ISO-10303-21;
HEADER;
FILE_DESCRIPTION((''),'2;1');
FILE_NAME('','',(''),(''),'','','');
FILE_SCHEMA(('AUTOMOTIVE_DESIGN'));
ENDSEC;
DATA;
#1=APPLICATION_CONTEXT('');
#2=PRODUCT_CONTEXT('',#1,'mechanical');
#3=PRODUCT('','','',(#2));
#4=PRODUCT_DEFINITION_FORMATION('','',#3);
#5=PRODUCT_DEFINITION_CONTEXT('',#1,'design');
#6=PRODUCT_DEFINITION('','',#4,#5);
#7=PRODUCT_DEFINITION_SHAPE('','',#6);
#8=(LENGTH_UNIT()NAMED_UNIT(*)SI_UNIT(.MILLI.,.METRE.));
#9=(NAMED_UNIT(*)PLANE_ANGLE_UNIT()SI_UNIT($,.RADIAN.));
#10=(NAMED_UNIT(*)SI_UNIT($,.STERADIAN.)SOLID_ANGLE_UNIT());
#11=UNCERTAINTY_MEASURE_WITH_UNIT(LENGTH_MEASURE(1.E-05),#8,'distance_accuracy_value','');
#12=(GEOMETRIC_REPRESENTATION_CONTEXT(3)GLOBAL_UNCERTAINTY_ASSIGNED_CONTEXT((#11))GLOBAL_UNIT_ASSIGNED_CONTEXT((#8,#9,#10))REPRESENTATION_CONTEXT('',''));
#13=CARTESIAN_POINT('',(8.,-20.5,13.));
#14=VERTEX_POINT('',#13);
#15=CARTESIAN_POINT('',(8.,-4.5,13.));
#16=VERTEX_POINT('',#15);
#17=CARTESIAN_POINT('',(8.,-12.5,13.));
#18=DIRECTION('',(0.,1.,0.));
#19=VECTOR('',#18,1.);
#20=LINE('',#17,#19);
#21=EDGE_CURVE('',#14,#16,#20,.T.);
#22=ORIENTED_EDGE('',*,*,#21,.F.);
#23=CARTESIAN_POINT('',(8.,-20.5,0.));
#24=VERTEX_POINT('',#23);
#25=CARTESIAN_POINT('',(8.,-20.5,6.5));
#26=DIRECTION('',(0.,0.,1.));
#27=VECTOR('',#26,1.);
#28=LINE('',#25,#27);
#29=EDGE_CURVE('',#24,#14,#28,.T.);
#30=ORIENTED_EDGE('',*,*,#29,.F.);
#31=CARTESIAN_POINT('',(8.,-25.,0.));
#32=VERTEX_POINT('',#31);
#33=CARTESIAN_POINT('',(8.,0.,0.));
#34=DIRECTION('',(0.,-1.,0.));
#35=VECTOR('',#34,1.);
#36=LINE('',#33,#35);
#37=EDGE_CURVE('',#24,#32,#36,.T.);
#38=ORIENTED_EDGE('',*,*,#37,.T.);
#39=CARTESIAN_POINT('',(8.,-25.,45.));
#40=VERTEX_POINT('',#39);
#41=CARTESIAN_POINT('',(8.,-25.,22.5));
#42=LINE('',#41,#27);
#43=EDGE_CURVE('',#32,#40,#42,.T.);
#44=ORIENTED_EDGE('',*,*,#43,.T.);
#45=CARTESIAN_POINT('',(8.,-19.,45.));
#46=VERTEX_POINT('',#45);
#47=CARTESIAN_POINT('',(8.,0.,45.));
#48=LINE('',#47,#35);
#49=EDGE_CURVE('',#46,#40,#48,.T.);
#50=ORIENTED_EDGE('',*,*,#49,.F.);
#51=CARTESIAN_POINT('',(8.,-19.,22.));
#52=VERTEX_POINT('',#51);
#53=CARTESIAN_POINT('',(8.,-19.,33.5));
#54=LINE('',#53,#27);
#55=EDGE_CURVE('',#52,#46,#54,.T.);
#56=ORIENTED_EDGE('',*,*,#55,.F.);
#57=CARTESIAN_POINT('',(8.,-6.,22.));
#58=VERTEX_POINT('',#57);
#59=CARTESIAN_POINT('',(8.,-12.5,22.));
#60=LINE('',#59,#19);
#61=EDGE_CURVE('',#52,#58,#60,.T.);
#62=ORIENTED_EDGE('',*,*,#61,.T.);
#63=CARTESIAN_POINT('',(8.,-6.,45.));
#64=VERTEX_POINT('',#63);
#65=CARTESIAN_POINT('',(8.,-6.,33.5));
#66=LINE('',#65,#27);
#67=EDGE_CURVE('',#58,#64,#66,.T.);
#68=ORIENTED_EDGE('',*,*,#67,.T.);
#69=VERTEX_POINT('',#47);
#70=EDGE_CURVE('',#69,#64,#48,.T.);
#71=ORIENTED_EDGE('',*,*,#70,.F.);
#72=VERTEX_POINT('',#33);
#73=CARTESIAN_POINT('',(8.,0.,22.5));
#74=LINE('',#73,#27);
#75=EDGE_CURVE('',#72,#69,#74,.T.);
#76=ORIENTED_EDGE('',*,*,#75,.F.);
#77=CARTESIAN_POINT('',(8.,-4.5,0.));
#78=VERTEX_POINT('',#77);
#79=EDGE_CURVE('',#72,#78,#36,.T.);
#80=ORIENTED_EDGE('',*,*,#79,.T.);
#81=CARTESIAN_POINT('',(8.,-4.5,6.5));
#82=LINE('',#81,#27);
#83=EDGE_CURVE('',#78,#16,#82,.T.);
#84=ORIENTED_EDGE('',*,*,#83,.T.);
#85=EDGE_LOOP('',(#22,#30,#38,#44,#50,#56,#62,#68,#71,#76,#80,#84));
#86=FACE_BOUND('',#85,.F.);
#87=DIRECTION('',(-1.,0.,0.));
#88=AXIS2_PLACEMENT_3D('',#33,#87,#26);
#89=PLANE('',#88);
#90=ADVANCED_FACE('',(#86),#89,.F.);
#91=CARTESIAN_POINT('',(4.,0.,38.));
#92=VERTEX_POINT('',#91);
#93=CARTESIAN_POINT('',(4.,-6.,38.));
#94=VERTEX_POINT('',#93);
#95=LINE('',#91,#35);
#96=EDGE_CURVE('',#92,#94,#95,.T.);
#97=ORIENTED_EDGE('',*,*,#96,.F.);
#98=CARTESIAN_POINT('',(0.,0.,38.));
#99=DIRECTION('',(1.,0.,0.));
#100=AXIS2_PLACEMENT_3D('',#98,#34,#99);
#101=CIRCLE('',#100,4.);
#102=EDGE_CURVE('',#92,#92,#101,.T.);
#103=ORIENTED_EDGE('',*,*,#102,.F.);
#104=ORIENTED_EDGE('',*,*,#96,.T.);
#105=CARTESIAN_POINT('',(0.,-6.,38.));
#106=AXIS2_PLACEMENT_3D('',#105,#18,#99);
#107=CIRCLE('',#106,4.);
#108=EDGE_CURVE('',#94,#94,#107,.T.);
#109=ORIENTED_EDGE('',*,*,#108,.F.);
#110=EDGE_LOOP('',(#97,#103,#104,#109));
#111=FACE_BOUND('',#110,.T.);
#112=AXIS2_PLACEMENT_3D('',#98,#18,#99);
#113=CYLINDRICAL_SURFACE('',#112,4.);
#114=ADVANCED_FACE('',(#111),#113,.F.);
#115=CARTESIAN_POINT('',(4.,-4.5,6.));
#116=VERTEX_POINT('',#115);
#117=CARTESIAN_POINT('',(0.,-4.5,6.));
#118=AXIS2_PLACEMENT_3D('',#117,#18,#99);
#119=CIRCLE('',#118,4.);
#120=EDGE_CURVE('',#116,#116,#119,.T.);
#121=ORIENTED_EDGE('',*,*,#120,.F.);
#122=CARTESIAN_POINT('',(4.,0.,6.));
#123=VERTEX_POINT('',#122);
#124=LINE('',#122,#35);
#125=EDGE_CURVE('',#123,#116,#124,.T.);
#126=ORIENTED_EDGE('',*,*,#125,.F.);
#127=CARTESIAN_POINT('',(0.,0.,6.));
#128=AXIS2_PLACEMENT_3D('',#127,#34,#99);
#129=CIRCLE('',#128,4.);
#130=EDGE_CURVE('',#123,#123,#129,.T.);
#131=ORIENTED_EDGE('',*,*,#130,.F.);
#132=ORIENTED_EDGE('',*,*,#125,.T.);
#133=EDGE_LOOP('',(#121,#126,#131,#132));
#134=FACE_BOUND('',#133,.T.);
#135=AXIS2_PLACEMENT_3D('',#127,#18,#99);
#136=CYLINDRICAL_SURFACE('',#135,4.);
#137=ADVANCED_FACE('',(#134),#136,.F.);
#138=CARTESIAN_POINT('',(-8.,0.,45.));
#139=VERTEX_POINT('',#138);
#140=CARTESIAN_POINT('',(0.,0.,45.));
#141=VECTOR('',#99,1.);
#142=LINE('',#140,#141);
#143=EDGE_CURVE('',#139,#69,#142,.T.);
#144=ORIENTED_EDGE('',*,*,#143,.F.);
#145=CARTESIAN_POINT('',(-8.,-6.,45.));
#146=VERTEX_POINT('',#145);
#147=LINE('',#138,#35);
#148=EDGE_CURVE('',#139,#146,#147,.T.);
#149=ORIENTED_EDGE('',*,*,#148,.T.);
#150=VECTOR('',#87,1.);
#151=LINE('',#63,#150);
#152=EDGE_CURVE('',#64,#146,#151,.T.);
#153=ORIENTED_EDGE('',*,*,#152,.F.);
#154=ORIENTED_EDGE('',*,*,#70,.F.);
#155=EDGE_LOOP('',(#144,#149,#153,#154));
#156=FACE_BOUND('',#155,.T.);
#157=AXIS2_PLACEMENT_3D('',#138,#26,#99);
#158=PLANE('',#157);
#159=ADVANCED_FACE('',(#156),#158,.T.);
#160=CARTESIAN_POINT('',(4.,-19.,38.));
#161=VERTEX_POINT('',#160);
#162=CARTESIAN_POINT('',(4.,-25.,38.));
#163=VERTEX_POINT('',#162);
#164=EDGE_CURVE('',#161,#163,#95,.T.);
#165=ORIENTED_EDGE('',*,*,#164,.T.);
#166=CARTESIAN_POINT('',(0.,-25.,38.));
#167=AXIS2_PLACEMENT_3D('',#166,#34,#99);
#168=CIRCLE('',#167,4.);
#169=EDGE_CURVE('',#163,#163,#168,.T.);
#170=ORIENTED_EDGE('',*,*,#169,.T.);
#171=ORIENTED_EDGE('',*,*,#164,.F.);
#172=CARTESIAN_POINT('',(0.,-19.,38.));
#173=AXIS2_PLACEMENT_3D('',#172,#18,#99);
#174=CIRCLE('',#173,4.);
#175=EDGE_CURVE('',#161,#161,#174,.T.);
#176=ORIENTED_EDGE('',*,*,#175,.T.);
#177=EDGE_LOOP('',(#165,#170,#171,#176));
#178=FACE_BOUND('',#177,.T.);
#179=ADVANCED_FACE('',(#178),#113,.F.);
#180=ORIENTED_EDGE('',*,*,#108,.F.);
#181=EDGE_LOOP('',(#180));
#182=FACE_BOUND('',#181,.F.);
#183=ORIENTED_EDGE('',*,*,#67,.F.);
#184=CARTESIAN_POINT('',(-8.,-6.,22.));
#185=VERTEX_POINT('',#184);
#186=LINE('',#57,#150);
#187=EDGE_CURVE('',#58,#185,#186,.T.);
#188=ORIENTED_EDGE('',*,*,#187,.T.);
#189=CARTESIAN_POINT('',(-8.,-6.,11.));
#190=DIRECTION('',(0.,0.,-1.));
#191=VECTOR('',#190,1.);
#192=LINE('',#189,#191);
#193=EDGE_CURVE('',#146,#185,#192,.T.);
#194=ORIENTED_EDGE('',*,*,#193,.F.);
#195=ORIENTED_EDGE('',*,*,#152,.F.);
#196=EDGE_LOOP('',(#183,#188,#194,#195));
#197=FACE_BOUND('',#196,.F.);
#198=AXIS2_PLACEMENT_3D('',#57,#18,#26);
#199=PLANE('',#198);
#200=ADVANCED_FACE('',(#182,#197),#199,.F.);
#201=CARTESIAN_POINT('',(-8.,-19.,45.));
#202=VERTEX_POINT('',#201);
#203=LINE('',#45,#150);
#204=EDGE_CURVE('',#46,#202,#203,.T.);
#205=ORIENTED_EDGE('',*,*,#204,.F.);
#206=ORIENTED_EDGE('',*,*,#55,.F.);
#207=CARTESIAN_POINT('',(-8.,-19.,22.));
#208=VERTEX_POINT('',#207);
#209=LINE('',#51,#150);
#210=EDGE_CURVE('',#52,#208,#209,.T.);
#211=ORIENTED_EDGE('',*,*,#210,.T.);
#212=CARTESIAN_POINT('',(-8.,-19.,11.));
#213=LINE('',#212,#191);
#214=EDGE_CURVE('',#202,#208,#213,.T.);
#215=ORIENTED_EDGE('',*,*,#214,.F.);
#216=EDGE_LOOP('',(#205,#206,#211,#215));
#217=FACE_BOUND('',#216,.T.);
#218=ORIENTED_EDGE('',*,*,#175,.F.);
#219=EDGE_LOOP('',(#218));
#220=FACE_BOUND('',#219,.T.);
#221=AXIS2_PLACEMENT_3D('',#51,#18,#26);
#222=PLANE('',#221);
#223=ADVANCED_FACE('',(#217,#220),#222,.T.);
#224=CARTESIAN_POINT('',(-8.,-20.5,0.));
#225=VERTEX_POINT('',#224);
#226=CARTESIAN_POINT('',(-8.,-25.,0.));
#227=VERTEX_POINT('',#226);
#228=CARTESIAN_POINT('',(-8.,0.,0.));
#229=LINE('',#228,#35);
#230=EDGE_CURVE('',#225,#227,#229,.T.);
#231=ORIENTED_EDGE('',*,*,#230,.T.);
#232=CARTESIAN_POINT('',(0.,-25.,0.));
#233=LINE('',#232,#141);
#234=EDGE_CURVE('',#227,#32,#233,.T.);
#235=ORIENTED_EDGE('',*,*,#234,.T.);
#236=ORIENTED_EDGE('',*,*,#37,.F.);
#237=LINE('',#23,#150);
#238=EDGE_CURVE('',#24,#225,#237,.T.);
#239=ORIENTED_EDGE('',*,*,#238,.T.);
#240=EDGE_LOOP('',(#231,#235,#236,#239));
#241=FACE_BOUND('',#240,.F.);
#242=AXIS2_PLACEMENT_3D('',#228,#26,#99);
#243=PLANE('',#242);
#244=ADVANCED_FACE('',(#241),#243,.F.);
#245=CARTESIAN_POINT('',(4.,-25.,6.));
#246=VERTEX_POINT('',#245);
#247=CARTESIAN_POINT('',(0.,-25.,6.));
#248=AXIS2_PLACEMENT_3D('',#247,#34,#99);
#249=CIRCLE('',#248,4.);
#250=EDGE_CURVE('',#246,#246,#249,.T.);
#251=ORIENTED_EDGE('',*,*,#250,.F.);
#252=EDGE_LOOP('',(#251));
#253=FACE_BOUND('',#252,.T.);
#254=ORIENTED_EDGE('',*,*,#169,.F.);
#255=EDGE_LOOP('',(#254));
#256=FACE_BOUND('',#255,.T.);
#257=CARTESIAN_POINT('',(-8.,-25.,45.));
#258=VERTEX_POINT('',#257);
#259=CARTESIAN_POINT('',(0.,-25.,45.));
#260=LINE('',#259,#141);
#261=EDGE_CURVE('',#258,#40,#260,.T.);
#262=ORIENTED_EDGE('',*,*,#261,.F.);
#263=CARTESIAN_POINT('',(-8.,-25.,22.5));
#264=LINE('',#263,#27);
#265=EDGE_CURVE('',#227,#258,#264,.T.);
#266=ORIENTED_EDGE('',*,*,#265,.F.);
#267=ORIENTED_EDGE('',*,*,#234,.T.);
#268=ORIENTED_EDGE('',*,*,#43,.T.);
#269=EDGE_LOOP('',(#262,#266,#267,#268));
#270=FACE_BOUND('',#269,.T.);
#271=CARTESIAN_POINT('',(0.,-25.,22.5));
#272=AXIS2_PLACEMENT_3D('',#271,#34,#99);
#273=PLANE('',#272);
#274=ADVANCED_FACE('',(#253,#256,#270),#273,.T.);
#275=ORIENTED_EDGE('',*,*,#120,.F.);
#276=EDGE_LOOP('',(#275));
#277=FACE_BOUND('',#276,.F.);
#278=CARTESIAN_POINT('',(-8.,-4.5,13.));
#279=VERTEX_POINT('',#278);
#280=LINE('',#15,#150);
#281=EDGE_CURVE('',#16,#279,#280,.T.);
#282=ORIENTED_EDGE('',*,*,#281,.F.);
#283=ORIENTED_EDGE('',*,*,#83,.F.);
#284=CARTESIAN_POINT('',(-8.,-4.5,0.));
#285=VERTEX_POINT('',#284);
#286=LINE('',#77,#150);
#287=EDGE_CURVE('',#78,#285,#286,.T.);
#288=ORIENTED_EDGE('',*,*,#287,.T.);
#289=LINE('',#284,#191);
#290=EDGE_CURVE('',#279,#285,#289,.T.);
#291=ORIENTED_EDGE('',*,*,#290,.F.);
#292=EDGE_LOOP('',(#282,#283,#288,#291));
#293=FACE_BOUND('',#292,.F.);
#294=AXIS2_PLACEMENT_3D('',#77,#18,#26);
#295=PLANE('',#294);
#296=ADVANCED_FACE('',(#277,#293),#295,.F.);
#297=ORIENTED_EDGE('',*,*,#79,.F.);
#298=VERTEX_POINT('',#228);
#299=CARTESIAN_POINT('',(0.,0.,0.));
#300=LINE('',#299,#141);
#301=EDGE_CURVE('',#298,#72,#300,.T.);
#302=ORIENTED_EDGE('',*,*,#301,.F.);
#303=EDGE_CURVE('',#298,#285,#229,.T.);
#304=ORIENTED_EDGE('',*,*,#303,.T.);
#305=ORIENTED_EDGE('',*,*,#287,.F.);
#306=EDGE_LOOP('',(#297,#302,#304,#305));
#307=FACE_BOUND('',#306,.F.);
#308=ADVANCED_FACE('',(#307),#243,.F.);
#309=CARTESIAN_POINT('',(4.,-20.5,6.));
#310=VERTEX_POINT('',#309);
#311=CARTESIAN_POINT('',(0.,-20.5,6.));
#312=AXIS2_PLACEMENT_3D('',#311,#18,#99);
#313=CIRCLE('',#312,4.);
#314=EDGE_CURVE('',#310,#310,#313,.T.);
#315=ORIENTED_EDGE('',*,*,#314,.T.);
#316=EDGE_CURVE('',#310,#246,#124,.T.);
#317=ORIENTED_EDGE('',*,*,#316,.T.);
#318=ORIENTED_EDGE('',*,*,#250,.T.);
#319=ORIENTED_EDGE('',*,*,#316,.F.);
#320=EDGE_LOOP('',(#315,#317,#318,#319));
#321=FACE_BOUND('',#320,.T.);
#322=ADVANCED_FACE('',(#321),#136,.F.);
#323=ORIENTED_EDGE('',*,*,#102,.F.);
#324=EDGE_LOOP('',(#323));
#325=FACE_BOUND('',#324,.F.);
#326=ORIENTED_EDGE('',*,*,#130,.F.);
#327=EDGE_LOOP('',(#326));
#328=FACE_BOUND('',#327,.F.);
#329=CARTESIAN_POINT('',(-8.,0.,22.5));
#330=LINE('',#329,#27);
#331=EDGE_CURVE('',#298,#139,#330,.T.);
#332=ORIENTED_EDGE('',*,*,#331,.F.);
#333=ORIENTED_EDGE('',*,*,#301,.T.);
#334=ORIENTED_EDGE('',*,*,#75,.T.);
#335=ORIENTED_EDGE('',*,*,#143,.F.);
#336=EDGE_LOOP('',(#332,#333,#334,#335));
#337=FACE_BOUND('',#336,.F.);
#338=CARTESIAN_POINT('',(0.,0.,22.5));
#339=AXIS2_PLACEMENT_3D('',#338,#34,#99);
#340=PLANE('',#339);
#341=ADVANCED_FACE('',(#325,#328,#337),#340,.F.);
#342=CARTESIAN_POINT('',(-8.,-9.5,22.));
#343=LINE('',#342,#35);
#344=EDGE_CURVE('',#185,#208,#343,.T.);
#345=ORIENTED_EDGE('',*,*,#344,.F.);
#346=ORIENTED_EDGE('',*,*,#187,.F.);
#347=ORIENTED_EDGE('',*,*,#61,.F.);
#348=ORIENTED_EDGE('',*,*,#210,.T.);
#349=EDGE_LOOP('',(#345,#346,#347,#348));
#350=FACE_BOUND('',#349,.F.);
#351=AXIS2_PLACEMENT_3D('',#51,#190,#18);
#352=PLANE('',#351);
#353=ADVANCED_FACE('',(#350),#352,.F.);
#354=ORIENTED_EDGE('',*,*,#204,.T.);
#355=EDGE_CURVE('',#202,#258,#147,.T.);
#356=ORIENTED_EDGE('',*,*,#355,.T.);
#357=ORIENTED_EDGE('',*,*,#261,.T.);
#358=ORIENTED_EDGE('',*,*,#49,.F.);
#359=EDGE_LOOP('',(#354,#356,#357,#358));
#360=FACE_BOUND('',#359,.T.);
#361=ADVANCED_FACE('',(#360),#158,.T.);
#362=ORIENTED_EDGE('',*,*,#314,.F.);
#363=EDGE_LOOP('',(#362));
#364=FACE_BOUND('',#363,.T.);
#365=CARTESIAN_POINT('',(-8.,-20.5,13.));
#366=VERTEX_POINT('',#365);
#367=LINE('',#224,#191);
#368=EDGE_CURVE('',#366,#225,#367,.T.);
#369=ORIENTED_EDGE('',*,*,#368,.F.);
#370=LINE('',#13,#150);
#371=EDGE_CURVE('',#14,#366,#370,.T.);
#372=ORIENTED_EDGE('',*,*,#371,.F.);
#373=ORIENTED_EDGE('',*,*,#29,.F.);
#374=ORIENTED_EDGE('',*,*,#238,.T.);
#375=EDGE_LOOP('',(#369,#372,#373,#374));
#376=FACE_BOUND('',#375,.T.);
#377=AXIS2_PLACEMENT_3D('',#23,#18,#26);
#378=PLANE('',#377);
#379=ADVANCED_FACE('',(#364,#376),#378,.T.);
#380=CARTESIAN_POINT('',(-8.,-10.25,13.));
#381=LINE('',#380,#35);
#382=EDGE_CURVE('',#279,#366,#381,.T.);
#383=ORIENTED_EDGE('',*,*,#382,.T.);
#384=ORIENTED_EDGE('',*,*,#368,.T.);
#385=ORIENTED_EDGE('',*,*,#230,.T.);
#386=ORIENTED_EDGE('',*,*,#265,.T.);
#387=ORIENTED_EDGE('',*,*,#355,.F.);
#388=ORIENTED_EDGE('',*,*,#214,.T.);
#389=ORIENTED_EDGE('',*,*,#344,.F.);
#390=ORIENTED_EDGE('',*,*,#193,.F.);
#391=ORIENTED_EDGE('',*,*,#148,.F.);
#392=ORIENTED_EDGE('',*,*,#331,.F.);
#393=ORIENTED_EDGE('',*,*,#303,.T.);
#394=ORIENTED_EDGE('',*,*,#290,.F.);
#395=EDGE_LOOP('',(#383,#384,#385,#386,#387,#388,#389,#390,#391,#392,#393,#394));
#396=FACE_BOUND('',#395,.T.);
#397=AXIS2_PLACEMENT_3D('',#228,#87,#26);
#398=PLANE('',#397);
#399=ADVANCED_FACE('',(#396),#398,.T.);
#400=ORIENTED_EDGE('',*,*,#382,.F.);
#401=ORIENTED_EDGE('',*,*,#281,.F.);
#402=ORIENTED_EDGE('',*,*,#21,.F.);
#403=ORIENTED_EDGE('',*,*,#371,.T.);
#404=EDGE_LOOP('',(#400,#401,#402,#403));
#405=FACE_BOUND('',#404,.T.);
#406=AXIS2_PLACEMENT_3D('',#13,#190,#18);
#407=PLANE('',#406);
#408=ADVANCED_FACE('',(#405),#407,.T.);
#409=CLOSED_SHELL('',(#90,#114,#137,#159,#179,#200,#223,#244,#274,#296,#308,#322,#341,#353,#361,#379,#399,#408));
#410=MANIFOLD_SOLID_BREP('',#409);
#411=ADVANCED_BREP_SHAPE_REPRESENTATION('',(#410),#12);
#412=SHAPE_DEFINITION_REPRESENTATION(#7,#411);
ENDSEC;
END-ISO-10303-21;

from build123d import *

# Parameters (mm, degrees)
F0_W     = 16
F0_H     = 45
F0_R     = 4
F1_DEPTH = 25
F2_W     = 16
F2_H     = 13
F2_W_2   = 13
F2_H_2   = 23
F3_DEPTH = 16.001


with BuildPart() as f1:
    # F0 (on Front) → F1 (new body)
    with BuildSketch(Plane.XZ):
        with Locations((0, 22.5)):
            Rectangle(F0_W, F0_H)
        with Locations((0, 6)):
            Circle(F0_R, mode=Mode.SUBTRACT)
        with Locations((0, 38)):
            Circle(F0_R, mode=Mode.SUBTRACT)
    extrude(amount=F1_DEPTH)

    # F2 (on face) → F3 (cut, through all)
    with BuildSketch(Plane.YZ.offset(8)):
        with Locations((-12.5, 6.5)):
            Rectangle(F2_W, F2_H)
        with Locations((-12.5, 33.5)):
            Rectangle(F2_W_2, F2_H_2)
    extrude(amount=-F3_DEPTH, mode=Mode.SUBTRACT)


solid = f1.part
